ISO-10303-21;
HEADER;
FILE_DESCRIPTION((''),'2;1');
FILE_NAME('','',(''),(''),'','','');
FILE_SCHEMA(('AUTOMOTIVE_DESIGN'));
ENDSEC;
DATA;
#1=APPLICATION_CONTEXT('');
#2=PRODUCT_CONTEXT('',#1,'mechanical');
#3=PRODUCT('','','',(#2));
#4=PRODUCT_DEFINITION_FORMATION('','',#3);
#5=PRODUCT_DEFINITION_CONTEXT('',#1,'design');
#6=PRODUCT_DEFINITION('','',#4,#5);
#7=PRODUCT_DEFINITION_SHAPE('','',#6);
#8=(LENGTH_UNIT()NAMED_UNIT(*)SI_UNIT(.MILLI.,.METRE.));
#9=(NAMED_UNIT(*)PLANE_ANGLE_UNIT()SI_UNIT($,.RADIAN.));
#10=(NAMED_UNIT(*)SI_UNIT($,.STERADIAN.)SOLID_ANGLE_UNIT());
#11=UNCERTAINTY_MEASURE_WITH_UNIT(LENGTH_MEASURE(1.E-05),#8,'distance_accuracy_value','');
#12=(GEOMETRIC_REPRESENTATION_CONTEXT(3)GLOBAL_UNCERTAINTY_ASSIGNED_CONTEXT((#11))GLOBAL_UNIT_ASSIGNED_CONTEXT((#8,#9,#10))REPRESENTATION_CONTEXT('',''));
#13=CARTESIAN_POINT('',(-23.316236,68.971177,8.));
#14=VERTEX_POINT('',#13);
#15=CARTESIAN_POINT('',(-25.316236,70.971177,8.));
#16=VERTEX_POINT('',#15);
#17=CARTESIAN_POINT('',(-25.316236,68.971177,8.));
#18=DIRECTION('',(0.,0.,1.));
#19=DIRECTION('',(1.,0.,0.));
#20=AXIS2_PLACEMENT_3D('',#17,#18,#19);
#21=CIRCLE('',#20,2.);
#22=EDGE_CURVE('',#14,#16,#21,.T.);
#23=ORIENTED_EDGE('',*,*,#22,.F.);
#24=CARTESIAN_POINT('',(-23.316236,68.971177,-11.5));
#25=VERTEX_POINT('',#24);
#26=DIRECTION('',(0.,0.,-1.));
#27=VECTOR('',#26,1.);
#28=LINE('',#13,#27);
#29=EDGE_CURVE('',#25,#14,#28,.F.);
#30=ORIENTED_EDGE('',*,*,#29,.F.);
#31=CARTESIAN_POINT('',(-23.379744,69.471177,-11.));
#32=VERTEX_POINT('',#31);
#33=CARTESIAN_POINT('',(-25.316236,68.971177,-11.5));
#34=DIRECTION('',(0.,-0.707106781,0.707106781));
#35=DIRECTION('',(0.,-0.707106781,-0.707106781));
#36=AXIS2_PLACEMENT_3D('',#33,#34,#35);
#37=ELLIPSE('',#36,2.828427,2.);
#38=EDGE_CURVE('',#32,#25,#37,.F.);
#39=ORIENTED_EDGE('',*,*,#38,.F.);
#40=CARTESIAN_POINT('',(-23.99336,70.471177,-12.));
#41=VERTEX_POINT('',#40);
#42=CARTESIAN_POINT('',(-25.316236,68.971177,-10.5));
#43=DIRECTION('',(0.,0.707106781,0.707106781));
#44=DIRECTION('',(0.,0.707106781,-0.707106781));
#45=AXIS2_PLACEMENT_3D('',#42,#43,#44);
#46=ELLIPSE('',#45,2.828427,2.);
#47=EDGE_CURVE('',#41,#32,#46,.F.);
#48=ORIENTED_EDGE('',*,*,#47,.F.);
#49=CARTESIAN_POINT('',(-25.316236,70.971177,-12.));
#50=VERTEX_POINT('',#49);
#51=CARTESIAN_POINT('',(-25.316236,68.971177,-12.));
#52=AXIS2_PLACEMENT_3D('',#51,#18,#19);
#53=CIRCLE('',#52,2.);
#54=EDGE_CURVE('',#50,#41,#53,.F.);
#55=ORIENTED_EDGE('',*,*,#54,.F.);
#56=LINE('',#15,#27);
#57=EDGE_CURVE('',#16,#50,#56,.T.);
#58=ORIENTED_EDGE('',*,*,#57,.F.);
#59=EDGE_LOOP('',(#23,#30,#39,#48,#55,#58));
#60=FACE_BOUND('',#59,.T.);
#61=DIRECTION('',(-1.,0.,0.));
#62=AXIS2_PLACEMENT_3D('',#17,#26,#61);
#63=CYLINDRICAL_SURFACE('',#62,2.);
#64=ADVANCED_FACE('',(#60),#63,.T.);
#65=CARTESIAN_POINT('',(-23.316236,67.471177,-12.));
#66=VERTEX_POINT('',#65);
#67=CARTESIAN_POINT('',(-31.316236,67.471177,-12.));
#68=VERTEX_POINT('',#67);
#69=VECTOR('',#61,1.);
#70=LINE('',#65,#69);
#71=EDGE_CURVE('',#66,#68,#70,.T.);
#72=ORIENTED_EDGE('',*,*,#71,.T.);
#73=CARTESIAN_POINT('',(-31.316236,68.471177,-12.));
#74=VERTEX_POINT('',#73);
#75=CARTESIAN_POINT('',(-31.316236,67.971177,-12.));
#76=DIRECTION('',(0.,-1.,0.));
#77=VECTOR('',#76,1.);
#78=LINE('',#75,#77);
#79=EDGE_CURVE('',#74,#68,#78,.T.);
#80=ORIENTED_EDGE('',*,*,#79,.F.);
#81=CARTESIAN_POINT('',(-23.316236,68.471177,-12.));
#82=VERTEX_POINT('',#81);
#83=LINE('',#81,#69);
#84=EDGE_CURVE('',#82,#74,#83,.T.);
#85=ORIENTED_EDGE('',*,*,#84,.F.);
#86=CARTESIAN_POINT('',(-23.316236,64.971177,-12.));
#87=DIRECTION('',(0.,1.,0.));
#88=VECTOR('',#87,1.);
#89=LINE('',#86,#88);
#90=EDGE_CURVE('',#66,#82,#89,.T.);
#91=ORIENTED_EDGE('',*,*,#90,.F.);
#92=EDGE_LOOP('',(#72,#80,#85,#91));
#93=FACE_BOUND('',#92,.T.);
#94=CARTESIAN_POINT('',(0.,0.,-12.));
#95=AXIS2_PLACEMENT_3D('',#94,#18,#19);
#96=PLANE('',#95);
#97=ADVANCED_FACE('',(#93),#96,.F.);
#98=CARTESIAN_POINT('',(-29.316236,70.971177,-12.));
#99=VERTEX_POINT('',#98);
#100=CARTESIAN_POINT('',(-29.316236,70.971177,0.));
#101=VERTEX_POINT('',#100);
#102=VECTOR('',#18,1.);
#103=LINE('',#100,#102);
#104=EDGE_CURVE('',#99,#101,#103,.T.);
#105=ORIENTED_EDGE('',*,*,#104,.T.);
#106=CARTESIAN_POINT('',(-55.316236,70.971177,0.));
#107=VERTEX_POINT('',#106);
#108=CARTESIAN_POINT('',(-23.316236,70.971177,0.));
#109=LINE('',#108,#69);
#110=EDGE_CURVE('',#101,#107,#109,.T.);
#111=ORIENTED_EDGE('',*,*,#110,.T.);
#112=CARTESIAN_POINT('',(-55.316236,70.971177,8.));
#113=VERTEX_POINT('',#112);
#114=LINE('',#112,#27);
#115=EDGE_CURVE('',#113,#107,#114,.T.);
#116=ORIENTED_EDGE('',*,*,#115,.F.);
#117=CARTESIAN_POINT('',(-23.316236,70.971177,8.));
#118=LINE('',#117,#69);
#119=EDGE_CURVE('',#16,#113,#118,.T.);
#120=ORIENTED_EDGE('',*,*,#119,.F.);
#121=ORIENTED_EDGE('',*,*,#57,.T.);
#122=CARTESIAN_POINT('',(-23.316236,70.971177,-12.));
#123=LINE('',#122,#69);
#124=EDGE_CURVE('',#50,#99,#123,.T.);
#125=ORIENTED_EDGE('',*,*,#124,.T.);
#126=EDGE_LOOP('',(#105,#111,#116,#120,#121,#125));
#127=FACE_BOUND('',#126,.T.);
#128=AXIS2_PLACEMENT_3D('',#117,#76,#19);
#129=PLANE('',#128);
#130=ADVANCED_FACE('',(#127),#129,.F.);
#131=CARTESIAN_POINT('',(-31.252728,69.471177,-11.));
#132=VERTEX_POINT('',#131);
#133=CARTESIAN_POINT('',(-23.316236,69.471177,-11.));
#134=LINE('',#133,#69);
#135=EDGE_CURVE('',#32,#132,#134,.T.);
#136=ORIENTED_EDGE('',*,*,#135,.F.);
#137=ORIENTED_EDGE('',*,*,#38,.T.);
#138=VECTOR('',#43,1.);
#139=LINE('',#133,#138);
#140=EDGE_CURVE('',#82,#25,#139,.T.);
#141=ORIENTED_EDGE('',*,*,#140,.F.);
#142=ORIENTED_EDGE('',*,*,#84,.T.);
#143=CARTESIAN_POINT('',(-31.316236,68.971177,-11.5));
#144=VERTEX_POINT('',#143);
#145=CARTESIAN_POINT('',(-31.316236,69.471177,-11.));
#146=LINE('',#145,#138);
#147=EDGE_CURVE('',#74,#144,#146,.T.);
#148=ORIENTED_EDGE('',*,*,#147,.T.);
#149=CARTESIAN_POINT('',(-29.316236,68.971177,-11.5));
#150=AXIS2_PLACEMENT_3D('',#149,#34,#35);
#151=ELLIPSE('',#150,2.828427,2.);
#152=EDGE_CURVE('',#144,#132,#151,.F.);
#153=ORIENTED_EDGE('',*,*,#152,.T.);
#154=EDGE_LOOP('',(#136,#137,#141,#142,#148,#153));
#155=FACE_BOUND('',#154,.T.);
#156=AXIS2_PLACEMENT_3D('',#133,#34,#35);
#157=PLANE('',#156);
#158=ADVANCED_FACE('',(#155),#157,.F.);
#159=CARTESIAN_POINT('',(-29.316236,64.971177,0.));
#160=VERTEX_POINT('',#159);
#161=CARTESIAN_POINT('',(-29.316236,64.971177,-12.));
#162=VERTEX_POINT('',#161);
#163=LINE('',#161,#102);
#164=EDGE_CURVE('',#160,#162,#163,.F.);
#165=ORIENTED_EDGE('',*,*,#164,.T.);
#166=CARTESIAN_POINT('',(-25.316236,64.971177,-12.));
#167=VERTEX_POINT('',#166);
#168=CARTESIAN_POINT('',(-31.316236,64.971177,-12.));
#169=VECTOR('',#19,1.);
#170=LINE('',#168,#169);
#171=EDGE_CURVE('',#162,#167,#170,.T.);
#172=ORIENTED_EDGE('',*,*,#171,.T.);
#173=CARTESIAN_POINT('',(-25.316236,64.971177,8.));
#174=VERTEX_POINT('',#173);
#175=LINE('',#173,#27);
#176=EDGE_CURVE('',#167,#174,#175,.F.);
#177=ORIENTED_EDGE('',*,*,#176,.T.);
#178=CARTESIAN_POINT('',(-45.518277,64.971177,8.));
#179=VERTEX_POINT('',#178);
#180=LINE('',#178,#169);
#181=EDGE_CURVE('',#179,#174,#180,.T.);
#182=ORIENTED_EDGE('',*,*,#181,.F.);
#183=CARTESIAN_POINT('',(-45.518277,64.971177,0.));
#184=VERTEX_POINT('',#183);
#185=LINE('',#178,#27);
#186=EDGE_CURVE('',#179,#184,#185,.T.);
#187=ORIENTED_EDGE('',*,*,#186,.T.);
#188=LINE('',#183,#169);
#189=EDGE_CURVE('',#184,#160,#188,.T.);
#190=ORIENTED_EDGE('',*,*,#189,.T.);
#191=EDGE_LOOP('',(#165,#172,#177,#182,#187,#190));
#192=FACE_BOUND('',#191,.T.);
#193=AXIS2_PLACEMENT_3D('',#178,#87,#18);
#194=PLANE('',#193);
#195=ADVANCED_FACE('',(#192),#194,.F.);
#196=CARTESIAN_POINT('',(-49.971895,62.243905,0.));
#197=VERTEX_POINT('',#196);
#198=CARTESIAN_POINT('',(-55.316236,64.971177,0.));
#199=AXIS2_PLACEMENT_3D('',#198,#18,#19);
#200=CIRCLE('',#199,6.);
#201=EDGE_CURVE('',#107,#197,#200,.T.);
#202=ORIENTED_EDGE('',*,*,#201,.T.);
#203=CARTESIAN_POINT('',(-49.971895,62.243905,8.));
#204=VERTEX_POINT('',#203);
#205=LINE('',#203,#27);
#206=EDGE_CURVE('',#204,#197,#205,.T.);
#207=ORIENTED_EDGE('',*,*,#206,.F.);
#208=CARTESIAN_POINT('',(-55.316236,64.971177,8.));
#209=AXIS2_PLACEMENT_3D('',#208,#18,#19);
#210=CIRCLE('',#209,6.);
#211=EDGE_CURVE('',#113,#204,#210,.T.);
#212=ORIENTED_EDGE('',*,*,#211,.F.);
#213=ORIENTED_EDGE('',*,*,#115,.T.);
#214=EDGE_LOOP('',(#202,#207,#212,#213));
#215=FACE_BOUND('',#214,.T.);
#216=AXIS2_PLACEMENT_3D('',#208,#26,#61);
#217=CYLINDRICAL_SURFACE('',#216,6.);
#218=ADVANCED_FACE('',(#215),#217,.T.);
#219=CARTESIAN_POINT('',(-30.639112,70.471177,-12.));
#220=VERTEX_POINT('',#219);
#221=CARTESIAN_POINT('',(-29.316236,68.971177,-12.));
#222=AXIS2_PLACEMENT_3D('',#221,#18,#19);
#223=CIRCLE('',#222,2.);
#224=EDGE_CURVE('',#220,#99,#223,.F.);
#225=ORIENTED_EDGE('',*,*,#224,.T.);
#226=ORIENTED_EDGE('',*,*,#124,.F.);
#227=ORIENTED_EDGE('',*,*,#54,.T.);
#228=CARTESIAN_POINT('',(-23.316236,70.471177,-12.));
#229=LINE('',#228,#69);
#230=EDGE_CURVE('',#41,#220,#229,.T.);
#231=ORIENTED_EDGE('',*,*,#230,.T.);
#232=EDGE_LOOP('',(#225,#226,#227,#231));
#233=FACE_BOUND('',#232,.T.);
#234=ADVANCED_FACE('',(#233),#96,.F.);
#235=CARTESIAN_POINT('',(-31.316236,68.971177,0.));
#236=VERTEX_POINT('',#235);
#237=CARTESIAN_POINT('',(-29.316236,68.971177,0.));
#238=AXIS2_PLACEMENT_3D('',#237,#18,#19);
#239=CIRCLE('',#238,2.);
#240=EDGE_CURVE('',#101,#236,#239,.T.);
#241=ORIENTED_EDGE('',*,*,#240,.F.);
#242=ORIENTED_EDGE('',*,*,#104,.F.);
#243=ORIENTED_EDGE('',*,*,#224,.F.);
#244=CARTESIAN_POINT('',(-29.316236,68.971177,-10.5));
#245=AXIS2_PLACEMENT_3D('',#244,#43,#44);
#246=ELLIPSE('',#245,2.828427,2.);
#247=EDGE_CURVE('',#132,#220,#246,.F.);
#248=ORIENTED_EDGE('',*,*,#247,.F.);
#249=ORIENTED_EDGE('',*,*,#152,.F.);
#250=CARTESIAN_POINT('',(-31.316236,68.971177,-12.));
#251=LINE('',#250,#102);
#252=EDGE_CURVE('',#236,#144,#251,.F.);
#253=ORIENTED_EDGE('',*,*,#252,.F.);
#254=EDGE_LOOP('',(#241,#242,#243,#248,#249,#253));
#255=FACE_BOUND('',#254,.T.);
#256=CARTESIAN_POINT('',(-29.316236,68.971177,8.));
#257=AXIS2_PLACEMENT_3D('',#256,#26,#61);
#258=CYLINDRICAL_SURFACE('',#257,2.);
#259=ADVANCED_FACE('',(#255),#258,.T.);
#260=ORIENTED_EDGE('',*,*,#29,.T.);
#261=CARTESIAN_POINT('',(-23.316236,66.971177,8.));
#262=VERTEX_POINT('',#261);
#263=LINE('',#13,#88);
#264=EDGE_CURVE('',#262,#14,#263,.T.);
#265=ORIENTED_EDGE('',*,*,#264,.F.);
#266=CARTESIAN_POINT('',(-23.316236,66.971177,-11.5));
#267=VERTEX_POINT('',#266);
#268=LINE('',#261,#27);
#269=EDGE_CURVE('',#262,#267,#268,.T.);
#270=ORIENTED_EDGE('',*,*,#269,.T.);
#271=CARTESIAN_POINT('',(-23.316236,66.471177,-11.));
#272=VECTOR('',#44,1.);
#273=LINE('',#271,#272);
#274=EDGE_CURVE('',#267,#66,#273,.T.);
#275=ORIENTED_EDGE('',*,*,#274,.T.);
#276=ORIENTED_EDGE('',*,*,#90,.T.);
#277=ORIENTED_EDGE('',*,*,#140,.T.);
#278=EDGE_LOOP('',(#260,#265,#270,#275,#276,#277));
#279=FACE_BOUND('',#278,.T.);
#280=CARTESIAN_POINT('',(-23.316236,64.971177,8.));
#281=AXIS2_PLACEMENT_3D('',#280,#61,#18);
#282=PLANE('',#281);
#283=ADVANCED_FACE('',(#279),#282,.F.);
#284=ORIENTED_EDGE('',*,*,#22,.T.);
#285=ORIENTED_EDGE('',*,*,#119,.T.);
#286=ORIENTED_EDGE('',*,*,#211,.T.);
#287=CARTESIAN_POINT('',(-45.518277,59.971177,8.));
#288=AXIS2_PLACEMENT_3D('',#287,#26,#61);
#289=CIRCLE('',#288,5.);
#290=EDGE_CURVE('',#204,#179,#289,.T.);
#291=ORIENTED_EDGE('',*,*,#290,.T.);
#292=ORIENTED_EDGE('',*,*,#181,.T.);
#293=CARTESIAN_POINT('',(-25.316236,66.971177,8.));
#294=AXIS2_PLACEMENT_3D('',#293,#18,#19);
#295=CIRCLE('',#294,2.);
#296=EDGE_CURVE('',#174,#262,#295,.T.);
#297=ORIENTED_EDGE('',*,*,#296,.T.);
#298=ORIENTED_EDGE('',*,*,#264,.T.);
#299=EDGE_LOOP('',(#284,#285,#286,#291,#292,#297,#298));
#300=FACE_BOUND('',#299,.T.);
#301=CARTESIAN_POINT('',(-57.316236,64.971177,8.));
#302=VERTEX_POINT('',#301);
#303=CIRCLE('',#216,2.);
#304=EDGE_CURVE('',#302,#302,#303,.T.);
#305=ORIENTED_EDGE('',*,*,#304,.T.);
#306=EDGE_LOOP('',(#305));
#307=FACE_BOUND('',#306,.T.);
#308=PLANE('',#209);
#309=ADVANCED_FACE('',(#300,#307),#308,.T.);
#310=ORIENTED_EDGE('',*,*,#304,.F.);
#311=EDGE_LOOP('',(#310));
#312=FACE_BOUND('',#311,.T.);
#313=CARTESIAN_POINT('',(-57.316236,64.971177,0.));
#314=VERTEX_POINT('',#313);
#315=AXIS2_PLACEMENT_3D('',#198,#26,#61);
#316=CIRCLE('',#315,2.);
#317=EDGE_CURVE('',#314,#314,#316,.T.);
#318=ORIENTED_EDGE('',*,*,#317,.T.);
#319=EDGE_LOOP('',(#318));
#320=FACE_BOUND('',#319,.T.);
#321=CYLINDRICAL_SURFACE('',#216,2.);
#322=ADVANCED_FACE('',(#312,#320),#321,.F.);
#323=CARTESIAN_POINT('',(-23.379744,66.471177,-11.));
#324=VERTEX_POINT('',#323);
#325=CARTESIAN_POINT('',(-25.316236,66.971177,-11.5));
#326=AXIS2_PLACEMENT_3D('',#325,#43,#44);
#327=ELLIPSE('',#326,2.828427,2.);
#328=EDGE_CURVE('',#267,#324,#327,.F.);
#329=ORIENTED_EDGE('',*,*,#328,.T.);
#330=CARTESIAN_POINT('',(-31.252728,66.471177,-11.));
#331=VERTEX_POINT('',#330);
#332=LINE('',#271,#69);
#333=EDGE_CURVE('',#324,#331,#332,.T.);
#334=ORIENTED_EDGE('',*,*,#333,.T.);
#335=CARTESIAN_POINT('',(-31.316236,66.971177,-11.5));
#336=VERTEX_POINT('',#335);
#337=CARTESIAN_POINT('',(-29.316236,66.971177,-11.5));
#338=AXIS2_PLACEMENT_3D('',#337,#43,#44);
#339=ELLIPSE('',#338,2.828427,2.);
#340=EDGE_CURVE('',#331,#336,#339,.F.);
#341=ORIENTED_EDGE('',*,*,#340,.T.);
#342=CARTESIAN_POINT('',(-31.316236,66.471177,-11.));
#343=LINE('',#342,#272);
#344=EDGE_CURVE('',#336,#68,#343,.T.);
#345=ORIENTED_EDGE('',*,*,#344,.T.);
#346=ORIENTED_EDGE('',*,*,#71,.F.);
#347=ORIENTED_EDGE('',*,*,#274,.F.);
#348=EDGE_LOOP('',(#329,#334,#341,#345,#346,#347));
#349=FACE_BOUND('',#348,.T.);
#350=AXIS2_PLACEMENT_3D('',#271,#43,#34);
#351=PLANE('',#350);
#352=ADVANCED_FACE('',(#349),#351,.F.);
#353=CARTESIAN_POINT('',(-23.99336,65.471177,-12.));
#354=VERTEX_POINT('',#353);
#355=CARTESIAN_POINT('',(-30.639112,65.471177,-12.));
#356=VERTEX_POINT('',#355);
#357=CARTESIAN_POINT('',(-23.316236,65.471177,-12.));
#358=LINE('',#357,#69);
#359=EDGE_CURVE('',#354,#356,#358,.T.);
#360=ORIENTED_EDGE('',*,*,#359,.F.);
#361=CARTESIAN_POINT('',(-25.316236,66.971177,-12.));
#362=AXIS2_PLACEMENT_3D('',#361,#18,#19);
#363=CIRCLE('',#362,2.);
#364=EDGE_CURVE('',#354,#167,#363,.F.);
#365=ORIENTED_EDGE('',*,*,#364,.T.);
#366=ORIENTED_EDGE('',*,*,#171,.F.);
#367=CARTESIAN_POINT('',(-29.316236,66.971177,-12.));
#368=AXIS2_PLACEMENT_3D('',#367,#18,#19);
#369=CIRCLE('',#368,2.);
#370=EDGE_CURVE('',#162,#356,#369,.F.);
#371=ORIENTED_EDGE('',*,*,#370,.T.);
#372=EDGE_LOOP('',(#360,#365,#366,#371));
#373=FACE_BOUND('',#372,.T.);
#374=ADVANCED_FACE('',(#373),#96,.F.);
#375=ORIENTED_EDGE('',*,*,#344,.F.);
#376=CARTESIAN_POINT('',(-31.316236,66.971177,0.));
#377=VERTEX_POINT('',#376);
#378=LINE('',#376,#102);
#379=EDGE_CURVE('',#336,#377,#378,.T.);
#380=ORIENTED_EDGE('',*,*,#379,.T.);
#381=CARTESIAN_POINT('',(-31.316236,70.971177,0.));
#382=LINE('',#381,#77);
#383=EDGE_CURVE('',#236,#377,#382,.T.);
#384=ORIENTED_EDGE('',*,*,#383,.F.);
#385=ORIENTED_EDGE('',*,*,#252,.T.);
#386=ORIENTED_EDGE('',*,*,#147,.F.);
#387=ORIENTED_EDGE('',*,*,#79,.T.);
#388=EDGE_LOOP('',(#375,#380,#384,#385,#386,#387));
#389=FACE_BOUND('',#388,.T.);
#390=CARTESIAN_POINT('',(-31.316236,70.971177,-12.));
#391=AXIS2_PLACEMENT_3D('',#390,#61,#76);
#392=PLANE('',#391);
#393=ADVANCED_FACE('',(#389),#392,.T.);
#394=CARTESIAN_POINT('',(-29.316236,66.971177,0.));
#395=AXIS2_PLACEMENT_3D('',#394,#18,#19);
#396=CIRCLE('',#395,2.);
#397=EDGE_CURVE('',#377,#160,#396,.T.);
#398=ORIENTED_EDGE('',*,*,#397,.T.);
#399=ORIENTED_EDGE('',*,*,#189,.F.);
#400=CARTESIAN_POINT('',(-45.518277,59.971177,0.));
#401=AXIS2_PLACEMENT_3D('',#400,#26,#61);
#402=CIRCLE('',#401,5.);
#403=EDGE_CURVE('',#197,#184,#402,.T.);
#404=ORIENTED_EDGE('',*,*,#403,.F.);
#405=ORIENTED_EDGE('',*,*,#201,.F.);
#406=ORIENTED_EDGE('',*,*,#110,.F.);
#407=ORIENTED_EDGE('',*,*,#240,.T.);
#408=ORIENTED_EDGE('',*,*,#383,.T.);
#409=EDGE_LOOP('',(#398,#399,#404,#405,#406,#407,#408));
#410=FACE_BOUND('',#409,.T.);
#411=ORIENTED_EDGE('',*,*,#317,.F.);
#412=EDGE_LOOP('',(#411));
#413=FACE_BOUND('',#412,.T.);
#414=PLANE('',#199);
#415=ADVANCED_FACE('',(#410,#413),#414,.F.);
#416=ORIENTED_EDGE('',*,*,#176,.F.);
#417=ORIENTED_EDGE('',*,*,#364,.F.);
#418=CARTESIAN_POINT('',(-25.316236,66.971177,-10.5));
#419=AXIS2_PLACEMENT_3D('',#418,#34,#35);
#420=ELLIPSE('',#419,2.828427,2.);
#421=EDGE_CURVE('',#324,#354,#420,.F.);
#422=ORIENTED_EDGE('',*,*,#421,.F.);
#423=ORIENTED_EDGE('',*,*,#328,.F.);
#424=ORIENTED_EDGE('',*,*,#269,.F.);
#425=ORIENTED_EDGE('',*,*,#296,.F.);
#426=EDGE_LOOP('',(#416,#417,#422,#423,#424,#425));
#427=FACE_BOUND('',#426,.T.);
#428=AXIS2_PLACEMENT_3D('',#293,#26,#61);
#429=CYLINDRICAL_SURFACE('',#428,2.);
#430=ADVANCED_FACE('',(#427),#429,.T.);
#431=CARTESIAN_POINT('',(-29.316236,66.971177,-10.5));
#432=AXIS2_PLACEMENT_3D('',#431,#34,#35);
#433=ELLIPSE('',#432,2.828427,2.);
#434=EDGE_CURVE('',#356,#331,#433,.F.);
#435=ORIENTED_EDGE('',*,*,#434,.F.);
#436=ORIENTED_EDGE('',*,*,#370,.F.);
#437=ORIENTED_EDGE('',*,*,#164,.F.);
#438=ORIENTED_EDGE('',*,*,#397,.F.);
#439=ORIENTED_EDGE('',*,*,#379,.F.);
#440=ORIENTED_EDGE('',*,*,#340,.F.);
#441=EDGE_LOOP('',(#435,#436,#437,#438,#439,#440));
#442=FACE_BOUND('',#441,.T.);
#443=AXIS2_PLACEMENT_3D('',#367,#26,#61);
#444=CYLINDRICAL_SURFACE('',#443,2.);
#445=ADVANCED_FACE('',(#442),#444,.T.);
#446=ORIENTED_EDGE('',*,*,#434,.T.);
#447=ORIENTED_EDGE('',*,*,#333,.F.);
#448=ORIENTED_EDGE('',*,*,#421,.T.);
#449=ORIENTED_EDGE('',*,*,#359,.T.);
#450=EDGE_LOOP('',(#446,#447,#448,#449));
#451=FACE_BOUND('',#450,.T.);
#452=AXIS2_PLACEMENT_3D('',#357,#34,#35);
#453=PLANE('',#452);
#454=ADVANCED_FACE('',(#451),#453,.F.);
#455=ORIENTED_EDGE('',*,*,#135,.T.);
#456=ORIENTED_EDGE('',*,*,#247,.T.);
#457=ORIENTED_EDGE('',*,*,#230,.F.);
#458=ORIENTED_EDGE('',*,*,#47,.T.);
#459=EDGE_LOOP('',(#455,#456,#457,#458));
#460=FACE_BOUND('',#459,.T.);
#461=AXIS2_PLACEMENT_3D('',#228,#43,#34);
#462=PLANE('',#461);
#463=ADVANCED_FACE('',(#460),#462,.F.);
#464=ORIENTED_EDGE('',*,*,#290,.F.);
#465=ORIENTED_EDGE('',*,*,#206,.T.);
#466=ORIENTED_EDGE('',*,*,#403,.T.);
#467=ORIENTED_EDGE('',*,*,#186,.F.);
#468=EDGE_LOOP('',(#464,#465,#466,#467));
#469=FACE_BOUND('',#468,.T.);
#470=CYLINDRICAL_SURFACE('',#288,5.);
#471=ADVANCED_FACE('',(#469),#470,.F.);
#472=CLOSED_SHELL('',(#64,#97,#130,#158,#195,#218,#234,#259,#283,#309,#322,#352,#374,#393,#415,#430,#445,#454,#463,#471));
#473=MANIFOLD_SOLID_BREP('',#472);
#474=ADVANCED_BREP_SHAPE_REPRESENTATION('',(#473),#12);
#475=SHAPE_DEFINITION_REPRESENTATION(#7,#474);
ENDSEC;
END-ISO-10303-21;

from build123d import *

# Parameters (mm, degrees)
BOSS_EXTRUDE1_DEPTH = 8
BOSS_EXTRUDE2_DEPTH = 12
SKETCH3_R           = 2
CUT_EXTRUDE1_DEPTH  = 8
FILLET1_R           = 2
CUT_EXTRUDE2_DEPTH  = 8


with BuildPart() as part:
    # Sketch1 → Boss-Extrude1 (new body)
    with BuildSketch(Plane.XY):
        with BuildLine():
            Line((-23.31623588, 68.971177363), (-23.31623588, 70.971177363))
            Line((-23.31623588, 70.971177363), (-55.31623588, 70.971177363))
            ThreePointArc((-55.31623588, 70.971177363), (-60.433053073, 61.837779556), (-49.971894623, 62.243904636))
            ThreePointArc((-49.971894623, 62.243904636), (-48.129441748, 64.23519169), (-45.518276909, 64.971177363))
            Line((-45.518276909, 64.971177363), (-23.31623588, 64.971177363))
            Line((-23.31623588, 64.971177363), (-23.31623588, 68.971177363))
        make_face()
    extrude(amount=BOSS_EXTRUDE1_DEPTH)

    # Sketch2 → Boss-Extrude2 (add)
    with BuildSketch(Plane.XY):
        Polygon((-23.31623588, 68.971177363), (-23.31623588, 70.971177363), (-31.31623588, 70.971177363), (-31.31623588, 67.971177363), (-31.31623588, 64.971177363), (-23.31623588, 64.971177363), align=None)
    extrude(amount=-BOSS_EXTRUDE2_DEPTH)

    # Sketch3 → Cut-Extrude1 (cut)
    with BuildSketch(Plane(origin=(0, 0, 0), x_dir=(-1, 0, 0), z_dir=(0, 0, -1))):
        with Locations((55.31623588, 64.971177363)):
            Circle(SKETCH3_R)
    extrude(amount=-CUT_EXTRUDE1_DEPTH, mode=Mode.SUBTRACT)

    # Fillet1
    fillet1_edges = [part.edges().sort_by_distance(p)[0] for p in [
        (-31.31623588, 70.971177363, -6),
        (-31.31623588, 64.971177363, -6),
        (-23.31623588, 64.971177363, -2),
        (-23.31623588, 70.971177363, -2),
    ]]
    fillet(fillet1_edges, radius=FILLET1_R)

    # Sketch4 → Cut-Extrude2 (cut)
    with BuildSketch(Plane.ZY.offset(31.31623588)):
        Polygon((-12, 70.971177363), (-13, 70.971177363), (-13, 64.971177363), (-12, 64.971177363), (-12, 65.471177363), (-11, 66.471177363), (-12, 67.471177363), (-12, 68.471177363), (-11, 69.471177363), (-12, 70.471177363), align=None)
    extrude(amount=-CUT_EXTRUDE2_DEPTH, mode=Mode.SUBTRACT)


solid = part.part
